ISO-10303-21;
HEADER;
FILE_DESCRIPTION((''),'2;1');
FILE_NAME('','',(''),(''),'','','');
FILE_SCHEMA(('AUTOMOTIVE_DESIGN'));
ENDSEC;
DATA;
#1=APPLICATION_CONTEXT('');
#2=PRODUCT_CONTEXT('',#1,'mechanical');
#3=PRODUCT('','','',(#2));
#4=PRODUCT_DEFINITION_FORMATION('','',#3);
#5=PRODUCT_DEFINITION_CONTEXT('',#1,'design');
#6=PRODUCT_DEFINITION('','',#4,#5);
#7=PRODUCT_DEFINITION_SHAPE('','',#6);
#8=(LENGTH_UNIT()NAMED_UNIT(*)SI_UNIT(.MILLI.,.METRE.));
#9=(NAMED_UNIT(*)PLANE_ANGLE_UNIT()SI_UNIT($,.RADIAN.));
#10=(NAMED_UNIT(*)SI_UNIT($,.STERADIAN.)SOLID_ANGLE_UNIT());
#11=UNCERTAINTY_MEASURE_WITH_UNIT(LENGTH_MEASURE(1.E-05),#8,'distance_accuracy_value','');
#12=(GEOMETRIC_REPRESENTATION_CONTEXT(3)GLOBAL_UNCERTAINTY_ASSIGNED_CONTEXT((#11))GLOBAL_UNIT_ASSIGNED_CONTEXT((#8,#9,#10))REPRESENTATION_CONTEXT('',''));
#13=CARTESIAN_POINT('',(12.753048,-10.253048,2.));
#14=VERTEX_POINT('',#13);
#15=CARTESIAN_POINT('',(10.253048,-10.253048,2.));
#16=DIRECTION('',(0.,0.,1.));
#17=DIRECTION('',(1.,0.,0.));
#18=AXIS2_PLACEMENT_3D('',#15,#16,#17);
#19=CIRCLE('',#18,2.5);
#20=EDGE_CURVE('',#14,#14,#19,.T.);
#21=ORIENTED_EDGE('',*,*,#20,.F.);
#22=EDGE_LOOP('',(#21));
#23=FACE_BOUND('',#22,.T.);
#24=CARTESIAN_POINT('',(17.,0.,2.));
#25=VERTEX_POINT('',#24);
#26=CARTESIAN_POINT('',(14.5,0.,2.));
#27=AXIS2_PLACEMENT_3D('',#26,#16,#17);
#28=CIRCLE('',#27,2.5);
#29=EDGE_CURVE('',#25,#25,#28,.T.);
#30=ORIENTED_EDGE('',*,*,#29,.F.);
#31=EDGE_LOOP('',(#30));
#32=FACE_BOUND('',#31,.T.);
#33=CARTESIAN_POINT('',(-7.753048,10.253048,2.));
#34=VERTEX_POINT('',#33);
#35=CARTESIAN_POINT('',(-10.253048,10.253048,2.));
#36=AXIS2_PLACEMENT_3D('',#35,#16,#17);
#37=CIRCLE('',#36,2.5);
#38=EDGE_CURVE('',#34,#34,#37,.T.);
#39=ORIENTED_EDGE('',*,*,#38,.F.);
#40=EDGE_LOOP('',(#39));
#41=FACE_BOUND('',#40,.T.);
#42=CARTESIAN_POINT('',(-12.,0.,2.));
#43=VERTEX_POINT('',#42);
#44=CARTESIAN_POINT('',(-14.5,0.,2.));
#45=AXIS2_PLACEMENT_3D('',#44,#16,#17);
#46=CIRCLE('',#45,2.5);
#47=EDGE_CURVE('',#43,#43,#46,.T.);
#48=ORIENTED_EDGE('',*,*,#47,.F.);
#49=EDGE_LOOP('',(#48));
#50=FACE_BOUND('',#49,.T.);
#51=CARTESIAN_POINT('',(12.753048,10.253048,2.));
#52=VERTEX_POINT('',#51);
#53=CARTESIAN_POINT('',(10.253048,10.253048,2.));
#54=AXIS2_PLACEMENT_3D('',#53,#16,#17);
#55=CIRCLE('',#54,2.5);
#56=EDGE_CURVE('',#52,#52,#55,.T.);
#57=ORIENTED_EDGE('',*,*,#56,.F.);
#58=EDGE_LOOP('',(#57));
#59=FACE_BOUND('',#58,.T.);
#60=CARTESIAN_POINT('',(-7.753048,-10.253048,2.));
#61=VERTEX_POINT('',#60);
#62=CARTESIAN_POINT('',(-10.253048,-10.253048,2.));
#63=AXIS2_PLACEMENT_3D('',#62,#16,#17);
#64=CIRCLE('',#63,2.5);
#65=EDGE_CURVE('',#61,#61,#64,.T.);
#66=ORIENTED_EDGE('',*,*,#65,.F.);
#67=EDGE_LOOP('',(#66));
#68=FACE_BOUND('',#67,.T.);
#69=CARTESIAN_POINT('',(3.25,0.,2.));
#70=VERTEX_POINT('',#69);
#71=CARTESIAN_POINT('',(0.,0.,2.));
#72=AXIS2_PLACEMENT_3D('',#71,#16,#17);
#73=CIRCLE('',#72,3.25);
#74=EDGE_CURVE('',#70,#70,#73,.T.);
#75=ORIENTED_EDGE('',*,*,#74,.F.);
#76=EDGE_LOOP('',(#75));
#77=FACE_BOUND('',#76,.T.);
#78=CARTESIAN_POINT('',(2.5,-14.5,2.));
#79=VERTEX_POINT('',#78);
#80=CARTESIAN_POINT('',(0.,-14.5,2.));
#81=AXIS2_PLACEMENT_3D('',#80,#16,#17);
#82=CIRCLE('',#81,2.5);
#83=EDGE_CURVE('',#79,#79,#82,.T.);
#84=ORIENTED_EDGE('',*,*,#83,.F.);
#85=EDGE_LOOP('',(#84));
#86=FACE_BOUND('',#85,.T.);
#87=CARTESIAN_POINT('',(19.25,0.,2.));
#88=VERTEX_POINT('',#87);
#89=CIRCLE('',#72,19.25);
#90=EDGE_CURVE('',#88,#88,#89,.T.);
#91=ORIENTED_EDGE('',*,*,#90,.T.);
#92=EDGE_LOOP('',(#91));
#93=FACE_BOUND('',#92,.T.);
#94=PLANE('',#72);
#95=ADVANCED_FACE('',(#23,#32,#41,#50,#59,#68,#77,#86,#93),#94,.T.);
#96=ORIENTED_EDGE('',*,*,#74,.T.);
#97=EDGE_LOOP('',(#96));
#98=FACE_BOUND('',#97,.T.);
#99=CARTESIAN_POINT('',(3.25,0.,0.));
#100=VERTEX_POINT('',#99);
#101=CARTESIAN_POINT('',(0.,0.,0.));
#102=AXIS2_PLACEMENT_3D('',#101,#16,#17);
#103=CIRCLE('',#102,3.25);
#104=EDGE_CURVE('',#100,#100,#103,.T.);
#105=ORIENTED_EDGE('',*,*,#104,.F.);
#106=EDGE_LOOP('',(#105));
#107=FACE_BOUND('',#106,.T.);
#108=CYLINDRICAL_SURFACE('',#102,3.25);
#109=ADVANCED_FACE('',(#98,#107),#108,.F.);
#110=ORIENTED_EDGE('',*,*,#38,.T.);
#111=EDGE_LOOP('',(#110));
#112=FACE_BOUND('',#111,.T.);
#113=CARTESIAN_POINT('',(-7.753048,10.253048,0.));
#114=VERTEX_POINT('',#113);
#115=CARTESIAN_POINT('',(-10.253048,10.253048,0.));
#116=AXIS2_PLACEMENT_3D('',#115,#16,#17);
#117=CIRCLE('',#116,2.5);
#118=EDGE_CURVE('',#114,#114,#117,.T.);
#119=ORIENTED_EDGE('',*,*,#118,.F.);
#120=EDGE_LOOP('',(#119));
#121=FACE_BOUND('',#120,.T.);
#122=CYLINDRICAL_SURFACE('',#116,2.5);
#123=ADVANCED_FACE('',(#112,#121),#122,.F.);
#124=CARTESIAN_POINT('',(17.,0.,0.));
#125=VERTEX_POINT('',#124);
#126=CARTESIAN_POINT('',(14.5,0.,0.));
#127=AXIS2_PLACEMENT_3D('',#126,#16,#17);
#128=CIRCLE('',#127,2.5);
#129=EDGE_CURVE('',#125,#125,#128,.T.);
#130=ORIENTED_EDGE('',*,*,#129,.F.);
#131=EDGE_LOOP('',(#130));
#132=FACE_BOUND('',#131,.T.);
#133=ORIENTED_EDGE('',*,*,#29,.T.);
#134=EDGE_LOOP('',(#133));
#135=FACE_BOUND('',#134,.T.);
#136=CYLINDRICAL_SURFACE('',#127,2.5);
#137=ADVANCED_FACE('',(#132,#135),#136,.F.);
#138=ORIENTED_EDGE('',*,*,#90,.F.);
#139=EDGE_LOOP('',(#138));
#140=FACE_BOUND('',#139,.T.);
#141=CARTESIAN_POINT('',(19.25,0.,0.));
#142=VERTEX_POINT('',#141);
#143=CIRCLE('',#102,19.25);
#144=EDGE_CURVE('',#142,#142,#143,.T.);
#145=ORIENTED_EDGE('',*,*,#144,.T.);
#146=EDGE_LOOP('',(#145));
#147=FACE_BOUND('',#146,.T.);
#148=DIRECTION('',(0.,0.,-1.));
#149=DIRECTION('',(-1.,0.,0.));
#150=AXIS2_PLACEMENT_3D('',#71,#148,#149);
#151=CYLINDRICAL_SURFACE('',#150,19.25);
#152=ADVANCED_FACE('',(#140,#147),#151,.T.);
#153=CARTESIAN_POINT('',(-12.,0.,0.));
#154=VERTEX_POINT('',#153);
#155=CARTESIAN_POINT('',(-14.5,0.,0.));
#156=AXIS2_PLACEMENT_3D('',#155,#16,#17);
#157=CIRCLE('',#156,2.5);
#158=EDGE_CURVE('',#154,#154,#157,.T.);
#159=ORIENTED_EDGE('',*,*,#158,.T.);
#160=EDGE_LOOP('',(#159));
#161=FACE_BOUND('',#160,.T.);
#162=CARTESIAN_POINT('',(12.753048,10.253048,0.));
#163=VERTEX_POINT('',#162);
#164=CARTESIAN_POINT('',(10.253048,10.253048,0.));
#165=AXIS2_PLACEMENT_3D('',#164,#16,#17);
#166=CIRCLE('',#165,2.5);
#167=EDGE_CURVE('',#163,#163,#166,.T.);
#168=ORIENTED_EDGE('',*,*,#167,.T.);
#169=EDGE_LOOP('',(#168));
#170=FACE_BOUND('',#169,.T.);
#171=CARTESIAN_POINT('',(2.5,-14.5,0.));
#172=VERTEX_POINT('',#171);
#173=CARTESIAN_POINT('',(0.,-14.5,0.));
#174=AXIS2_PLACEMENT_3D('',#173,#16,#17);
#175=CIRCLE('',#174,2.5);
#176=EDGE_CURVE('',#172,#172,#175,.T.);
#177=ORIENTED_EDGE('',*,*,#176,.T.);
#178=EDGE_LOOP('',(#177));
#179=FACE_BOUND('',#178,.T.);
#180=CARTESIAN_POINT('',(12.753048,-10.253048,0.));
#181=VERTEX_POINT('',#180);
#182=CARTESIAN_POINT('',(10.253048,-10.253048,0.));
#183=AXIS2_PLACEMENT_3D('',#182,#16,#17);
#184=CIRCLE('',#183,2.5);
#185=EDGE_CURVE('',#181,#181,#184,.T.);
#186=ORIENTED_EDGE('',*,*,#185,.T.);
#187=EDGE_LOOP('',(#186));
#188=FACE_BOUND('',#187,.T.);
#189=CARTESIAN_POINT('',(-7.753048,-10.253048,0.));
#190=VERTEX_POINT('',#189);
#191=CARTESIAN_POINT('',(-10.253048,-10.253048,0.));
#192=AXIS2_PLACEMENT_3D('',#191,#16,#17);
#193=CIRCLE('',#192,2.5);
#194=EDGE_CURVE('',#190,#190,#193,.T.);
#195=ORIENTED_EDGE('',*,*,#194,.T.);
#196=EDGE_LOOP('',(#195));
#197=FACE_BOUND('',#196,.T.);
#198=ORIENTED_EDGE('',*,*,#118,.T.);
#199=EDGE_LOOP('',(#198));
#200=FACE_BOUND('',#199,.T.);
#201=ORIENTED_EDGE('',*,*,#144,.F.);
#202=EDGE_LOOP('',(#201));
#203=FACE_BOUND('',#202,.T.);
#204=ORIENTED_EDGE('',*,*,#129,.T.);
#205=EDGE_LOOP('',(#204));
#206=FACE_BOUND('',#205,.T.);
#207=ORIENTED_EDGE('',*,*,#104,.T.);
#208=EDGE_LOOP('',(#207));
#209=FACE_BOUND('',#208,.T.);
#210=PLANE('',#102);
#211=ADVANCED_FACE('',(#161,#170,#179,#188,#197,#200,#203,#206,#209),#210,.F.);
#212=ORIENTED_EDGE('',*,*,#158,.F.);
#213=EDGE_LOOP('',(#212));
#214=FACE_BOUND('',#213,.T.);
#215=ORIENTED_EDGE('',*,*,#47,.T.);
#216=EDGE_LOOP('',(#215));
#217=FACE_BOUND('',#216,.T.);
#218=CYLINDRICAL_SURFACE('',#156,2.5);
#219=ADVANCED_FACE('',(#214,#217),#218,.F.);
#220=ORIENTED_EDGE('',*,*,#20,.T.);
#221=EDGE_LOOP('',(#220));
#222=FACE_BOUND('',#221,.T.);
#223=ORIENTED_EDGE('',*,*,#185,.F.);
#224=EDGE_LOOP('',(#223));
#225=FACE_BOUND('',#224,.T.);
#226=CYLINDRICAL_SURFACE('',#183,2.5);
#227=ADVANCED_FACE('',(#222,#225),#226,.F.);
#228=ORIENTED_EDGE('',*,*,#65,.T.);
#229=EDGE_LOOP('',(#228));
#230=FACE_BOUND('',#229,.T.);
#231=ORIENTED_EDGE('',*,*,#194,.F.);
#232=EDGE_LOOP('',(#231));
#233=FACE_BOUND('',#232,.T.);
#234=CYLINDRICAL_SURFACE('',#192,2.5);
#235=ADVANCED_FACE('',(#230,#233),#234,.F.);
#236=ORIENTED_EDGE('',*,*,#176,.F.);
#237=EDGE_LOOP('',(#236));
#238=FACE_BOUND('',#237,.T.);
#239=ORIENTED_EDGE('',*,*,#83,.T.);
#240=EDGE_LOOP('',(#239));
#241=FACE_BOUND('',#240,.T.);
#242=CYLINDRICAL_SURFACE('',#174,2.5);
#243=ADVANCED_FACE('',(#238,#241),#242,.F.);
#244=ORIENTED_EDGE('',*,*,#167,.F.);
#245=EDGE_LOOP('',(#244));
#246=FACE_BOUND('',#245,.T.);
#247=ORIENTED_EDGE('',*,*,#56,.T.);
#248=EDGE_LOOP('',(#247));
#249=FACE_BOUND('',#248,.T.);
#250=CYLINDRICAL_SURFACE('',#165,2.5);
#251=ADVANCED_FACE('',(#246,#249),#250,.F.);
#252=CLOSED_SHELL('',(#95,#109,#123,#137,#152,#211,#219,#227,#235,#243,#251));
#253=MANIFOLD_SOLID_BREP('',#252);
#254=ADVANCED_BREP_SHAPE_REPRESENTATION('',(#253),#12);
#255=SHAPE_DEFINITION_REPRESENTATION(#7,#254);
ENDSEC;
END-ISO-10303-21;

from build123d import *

# Parameters (mm, degrees)
SKETCH_1_R          = 19.25
EXTRUDE_1_DEPTH     = 2
SKETCH_4_R          = 2.5
SKETCH_4_R_2        = 3.25
CUT_EXTRUDE_2_DEPTH = 3


with BuildPart() as part:
    # Эскиз1 → Вытянуть1 (new body)
    with BuildSketch(Plane.XY):
        Circle(SKETCH_1_R)
    extrude(amount=EXTRUDE_1_DEPTH)

    # Эскиз4 → Вытянуть2 (cut, through all)
    with BuildSketch(Plane.XY.offset(2)):
        with Locations((-10.253048327, 10.253048327)):
            Circle(SKETCH_4_R)
        with Locations((-14.5, 0)):
            Circle(SKETCH_4_R)
        with Locations((-10.253048327, -10.253048327)):
            Circle(SKETCH_4_R)
        with Locations((0, -14.5)):
            Circle(SKETCH_4_R)
        with Locations((10.253048327, -10.253048327)):
            Circle(SKETCH_4_R)
        with Locations((14.5, 0)):
            Circle(SKETCH_4_R)
        with Locations((10.253048327, 10.253048327)):
            Circle(SKETCH_4_R)
        Circle(SKETCH_4_R_2)
    extrude(amount=-CUT_EXTRUDE_2_DEPTH, mode=Mode.SUBTRACT)


solid = part.part
